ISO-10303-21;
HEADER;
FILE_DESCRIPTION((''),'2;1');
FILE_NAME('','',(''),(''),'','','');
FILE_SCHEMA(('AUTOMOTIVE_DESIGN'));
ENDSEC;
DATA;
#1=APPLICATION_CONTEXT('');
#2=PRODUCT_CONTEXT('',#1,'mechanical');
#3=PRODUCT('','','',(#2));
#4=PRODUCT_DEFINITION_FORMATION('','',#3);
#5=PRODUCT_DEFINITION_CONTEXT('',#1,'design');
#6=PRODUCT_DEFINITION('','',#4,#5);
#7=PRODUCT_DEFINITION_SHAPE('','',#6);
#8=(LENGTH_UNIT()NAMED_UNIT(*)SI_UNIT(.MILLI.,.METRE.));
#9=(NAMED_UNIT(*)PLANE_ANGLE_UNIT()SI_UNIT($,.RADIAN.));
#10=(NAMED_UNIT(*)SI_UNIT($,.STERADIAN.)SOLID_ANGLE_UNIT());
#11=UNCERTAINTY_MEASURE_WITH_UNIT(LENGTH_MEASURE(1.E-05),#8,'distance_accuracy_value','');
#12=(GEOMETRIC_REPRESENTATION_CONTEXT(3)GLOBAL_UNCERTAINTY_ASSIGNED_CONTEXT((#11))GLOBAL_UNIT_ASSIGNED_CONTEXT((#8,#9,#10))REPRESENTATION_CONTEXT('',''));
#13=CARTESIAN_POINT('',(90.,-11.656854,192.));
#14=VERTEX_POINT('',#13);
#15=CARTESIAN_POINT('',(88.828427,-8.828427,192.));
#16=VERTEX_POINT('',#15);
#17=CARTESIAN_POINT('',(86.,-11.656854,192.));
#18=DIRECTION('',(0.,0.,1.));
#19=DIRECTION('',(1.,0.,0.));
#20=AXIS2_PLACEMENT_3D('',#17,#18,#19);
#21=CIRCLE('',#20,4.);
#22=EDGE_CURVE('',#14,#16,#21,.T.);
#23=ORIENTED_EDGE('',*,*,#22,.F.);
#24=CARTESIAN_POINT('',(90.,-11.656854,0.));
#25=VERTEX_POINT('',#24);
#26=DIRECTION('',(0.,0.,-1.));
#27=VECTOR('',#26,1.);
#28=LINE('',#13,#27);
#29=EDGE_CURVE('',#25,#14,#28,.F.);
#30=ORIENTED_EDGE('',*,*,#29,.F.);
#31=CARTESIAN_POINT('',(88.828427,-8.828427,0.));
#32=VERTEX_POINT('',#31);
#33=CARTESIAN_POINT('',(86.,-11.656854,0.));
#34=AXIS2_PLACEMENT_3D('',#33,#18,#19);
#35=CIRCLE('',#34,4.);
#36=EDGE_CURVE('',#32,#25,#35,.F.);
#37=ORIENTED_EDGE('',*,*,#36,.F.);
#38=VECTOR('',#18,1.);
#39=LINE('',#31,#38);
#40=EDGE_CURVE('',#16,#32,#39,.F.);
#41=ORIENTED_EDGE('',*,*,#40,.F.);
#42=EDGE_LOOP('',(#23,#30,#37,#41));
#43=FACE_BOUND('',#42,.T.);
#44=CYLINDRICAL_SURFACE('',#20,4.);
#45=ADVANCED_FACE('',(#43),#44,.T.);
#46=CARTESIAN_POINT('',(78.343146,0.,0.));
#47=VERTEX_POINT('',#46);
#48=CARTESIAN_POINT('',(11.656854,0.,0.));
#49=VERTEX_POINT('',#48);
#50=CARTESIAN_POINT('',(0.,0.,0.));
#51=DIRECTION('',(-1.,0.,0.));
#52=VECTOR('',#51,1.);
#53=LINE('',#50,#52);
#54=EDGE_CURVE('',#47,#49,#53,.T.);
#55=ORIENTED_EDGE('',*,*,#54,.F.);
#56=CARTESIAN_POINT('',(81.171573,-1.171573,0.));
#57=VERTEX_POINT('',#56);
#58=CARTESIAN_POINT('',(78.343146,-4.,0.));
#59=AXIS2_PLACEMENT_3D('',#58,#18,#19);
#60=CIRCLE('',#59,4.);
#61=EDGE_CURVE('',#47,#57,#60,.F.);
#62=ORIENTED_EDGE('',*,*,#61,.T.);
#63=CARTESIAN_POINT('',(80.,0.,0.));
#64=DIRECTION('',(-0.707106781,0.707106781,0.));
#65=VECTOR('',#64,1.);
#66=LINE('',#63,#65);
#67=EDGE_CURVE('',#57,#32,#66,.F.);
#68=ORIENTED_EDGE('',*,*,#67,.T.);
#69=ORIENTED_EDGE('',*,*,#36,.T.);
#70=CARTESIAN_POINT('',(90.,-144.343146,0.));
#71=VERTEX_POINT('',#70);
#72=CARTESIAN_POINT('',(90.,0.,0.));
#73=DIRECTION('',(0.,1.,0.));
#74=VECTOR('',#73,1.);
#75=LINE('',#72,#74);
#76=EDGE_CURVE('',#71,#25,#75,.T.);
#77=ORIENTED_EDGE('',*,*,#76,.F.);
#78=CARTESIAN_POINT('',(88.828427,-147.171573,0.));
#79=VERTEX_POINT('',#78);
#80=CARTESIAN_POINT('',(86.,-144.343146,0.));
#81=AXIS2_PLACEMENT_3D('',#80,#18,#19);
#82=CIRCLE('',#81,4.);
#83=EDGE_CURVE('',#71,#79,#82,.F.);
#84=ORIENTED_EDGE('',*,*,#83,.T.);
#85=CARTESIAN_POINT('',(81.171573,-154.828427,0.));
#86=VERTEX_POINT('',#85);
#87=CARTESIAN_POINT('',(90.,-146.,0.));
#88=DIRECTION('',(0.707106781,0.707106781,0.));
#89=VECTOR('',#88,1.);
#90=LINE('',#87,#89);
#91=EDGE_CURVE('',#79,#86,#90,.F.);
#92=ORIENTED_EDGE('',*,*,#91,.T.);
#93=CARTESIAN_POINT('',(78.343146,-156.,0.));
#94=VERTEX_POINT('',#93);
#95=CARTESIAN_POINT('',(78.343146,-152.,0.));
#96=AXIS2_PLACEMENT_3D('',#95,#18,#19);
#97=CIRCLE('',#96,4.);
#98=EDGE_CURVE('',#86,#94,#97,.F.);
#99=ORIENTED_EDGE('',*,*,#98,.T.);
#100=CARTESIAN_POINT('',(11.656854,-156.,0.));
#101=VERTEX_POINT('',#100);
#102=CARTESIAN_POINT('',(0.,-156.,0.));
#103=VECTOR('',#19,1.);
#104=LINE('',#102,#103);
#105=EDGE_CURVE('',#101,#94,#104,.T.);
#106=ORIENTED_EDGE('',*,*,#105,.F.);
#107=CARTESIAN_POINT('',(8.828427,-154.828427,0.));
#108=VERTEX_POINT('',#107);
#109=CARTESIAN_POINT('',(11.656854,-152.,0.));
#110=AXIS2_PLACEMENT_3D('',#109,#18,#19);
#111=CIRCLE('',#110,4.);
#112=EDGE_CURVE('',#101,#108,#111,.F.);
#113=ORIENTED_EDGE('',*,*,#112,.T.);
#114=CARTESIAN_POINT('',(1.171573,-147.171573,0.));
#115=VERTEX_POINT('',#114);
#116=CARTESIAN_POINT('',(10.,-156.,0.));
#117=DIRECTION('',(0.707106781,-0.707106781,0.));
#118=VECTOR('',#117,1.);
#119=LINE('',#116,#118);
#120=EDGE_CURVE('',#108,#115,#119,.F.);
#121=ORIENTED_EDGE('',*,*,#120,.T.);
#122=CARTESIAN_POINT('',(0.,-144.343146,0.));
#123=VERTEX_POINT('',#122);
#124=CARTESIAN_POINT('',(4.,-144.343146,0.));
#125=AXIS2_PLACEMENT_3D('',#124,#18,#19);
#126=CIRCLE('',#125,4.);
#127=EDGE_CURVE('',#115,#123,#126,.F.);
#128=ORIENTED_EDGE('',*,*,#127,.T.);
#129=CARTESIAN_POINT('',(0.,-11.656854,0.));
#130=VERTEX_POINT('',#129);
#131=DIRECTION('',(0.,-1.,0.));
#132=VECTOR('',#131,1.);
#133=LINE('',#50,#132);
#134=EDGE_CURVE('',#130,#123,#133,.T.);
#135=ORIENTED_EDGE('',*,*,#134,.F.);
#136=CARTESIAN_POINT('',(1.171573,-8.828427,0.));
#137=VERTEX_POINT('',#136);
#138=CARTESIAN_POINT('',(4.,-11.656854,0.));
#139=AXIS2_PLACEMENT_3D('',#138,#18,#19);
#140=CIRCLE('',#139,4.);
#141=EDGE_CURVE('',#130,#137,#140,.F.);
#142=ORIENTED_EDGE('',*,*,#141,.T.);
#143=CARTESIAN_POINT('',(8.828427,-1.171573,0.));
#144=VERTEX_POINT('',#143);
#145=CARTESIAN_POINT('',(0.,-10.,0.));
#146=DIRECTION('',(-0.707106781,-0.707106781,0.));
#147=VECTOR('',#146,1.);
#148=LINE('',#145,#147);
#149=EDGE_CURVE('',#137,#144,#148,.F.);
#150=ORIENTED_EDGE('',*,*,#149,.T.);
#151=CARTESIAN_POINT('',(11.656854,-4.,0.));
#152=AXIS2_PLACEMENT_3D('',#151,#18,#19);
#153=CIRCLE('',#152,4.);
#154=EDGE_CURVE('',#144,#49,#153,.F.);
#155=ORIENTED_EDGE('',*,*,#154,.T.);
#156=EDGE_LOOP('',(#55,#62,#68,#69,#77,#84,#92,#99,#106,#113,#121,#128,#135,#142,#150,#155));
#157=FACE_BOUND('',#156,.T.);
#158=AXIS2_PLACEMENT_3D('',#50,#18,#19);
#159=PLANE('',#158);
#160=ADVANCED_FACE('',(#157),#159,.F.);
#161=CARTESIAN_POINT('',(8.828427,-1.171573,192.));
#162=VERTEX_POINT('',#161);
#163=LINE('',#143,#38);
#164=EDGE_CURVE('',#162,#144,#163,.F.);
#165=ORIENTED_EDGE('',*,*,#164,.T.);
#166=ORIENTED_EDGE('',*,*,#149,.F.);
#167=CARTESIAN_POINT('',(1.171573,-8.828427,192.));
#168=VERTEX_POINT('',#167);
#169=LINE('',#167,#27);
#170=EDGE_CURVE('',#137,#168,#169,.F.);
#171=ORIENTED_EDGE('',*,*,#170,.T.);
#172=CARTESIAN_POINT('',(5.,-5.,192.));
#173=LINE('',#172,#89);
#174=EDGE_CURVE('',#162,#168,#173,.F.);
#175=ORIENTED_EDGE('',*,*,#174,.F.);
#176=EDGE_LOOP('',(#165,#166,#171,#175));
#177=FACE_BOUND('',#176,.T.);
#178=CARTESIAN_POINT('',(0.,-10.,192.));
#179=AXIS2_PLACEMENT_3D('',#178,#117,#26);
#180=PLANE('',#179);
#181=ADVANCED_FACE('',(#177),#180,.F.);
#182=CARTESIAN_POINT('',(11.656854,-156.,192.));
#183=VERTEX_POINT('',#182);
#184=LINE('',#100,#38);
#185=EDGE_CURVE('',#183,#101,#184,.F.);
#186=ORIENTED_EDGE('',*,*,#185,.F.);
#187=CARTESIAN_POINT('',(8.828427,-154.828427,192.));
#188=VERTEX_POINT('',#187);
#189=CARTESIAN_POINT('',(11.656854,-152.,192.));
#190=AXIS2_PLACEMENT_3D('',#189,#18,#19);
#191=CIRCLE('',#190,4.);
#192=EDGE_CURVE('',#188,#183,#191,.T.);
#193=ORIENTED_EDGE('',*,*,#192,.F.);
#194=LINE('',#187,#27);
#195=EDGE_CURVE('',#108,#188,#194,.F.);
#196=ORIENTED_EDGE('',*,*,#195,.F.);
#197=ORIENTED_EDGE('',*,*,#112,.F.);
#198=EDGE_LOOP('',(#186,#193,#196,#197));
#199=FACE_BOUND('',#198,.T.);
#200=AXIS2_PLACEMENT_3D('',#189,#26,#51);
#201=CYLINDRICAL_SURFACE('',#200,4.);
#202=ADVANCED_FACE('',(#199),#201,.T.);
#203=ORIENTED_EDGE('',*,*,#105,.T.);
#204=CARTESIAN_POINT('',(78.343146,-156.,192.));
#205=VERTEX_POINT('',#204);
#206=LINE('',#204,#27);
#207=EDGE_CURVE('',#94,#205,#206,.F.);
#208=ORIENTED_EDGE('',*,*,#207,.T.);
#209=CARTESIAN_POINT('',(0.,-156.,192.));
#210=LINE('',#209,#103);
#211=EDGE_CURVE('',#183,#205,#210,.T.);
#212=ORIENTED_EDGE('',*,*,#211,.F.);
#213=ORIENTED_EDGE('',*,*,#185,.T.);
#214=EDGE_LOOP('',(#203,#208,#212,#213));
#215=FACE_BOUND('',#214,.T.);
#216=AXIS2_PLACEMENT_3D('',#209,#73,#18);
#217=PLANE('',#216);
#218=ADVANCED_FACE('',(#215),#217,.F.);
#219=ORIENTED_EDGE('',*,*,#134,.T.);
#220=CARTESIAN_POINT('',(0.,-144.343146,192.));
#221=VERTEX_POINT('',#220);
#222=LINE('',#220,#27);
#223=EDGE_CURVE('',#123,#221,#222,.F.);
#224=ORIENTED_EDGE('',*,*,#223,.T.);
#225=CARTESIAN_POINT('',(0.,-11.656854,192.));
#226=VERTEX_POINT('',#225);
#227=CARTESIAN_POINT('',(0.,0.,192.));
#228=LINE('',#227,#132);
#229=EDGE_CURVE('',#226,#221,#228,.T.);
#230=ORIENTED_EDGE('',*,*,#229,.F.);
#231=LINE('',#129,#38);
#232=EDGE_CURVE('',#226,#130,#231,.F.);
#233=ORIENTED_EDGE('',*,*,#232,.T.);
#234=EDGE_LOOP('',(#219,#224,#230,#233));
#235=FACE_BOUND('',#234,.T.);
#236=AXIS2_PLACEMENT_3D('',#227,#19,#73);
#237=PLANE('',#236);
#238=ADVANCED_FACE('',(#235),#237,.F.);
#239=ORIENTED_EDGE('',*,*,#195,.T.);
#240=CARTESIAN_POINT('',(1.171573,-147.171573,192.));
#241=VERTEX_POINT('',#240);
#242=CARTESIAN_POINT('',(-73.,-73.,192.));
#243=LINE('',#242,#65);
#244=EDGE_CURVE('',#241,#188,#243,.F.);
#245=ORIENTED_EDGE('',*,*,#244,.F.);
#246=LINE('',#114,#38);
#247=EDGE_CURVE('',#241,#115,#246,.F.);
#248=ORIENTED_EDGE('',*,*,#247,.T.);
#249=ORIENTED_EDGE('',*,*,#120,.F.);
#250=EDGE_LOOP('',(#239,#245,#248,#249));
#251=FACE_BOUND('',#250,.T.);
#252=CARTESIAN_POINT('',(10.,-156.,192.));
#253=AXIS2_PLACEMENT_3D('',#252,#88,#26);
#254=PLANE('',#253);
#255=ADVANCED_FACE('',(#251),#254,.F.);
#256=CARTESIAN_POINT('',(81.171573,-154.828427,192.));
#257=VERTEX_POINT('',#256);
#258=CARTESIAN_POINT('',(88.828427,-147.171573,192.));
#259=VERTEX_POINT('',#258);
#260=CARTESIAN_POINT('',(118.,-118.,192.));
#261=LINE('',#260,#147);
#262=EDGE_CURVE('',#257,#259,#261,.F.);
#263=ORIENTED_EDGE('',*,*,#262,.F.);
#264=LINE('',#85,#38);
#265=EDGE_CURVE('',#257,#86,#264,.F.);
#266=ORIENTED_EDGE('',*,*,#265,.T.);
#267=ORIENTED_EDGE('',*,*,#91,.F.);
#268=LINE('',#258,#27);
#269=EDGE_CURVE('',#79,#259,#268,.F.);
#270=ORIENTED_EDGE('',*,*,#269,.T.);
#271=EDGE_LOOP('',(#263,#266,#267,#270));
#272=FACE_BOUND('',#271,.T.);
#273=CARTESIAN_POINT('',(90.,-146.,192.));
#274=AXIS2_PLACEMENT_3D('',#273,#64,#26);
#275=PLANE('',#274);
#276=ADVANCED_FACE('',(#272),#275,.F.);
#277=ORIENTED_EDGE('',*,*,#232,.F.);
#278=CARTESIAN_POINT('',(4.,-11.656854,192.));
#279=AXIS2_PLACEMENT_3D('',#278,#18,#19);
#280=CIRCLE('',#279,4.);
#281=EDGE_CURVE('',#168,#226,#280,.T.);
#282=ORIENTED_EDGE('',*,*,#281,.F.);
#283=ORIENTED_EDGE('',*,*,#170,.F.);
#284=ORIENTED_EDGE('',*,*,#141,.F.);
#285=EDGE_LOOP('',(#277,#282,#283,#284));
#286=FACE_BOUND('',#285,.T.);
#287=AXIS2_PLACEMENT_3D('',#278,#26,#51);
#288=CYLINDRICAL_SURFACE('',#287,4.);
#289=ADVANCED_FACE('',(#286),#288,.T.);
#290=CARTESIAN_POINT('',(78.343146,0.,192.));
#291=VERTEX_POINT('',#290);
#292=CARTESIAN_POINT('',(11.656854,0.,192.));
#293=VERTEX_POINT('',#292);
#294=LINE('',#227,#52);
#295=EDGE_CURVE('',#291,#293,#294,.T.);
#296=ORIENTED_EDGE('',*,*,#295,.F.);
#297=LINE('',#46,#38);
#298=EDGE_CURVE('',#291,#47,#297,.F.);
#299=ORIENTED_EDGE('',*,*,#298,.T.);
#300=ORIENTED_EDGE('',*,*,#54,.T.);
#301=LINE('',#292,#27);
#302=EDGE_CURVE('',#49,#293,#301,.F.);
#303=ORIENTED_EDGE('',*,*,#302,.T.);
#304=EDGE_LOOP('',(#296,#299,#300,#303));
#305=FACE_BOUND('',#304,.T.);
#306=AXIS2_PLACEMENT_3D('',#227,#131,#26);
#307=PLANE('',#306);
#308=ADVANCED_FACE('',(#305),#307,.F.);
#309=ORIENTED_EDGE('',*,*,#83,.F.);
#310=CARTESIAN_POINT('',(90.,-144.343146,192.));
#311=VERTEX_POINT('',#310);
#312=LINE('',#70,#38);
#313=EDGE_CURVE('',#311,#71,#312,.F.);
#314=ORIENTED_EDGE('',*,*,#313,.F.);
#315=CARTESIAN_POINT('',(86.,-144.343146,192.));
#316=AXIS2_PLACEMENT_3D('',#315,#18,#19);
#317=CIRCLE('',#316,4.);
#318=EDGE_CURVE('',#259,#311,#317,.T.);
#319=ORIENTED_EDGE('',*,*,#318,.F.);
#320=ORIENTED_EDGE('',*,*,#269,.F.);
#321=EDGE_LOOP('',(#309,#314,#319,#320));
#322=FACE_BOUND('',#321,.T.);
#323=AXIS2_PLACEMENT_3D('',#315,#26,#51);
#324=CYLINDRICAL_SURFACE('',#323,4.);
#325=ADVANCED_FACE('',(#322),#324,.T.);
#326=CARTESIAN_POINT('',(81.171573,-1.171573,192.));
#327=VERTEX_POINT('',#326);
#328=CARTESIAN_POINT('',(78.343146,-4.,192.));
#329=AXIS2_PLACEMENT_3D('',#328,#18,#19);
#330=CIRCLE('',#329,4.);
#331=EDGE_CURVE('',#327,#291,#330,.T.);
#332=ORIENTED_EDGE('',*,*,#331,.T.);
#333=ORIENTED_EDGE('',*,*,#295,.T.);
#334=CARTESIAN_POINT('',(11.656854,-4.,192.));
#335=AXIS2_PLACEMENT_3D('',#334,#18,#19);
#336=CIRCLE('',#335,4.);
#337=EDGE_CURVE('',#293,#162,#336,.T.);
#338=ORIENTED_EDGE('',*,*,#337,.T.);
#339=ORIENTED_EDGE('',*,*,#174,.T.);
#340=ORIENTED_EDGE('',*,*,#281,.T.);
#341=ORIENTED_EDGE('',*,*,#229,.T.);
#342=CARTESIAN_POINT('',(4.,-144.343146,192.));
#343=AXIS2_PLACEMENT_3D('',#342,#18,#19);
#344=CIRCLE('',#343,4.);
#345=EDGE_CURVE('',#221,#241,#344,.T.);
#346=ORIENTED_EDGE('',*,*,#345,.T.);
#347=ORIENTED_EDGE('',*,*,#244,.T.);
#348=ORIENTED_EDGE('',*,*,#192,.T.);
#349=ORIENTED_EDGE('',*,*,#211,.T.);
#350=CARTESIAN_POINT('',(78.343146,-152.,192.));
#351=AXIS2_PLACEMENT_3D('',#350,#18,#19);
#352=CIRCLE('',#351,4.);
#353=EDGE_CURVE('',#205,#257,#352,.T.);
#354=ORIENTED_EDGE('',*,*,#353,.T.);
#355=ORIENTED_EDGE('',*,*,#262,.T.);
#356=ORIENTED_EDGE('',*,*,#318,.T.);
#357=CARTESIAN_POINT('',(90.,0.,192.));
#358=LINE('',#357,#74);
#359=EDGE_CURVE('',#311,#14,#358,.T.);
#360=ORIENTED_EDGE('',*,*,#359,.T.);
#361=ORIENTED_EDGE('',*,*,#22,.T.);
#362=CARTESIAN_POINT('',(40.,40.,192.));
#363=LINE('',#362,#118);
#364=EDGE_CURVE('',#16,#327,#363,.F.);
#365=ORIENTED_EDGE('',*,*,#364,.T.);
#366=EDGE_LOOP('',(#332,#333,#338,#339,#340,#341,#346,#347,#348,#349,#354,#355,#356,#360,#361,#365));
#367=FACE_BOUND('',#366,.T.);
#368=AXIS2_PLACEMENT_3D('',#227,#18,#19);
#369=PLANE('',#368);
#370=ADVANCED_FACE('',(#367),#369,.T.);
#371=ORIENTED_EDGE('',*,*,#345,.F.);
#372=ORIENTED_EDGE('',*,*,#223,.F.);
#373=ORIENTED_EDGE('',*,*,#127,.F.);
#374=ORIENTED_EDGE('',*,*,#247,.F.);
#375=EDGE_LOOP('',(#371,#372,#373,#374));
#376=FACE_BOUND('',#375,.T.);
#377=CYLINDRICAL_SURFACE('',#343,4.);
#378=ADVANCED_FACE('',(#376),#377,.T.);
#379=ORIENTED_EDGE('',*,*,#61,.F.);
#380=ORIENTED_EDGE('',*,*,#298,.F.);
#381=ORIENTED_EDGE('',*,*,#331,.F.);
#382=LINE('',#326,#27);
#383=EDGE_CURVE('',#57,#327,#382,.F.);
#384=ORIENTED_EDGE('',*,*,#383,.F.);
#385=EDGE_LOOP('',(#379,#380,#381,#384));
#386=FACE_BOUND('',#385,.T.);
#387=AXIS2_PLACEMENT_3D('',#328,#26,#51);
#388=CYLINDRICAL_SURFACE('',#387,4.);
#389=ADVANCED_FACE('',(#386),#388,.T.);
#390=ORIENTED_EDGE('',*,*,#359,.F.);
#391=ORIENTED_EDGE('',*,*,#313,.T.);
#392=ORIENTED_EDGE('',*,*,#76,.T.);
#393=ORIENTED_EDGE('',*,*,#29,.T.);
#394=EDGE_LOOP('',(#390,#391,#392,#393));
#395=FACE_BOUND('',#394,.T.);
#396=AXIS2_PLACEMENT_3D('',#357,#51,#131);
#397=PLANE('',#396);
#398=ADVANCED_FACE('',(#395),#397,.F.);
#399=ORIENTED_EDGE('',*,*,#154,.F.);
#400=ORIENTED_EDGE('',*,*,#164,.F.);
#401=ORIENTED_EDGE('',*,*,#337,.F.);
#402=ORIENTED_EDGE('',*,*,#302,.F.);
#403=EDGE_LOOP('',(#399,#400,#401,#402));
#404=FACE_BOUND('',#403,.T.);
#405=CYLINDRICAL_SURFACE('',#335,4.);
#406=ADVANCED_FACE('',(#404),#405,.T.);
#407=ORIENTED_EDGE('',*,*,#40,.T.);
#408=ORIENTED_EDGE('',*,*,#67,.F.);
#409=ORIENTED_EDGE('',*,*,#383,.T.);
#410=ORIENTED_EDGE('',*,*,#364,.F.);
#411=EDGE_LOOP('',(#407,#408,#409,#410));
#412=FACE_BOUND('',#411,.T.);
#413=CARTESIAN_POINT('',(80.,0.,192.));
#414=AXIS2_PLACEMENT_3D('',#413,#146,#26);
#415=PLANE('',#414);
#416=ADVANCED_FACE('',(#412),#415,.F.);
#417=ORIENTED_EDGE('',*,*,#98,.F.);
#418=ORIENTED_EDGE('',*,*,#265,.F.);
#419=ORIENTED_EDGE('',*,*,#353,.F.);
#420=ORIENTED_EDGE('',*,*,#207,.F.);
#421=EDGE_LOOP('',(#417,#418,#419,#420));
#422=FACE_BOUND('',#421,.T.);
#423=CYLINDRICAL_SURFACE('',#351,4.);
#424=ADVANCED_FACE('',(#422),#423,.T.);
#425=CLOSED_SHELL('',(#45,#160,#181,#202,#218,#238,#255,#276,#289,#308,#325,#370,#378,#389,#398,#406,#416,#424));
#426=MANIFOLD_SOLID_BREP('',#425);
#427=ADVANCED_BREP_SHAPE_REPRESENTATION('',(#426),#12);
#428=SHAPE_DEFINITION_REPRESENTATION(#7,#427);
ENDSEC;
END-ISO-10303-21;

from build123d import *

# Parameters (mm, degrees)
SKETCH_1_W      = 90
SKETCH_1_H      = 156
EXTRUDE_1_DEPTH = 192
CHAMFER_1_SIZE  = 10
FILLET_1_R      = 4


with BuildPart() as part:
    # 草图1 → 凸台-拉伸1 (new body)
    with BuildSketch(Plane.XY):
        with Locations((45, -78)):
            Rectangle(SKETCH_1_W, SKETCH_1_H)
    extrude(amount=EXTRUDE_1_DEPTH)

    # 倒角1
    chamfer_1_edges = [part.edges().sort_by_distance(p)[0] for p in [
        (0, 0, 96),
        (90, 0, 96),
        (90, -156, 96),
        (0, -156, 96),
    ]]
    chamfer(chamfer_1_edges, length=CHAMFER_1_SIZE)

    # 圆角1
    fillet_1_edges = [part.edges().sort_by_distance(p)[0] for p in [
        (80, -156, 96),
        (10, -156, 96),
        (0, -10, 96),
        (0, -146, 96),
        (90, -10, 96),
        (90, -146, 96),
        (80, 0, 96),
        (10, 0, 96),
    ]]
    fillet(fillet_1_edges, radius=FILLET_1_R)


solid = part.part
